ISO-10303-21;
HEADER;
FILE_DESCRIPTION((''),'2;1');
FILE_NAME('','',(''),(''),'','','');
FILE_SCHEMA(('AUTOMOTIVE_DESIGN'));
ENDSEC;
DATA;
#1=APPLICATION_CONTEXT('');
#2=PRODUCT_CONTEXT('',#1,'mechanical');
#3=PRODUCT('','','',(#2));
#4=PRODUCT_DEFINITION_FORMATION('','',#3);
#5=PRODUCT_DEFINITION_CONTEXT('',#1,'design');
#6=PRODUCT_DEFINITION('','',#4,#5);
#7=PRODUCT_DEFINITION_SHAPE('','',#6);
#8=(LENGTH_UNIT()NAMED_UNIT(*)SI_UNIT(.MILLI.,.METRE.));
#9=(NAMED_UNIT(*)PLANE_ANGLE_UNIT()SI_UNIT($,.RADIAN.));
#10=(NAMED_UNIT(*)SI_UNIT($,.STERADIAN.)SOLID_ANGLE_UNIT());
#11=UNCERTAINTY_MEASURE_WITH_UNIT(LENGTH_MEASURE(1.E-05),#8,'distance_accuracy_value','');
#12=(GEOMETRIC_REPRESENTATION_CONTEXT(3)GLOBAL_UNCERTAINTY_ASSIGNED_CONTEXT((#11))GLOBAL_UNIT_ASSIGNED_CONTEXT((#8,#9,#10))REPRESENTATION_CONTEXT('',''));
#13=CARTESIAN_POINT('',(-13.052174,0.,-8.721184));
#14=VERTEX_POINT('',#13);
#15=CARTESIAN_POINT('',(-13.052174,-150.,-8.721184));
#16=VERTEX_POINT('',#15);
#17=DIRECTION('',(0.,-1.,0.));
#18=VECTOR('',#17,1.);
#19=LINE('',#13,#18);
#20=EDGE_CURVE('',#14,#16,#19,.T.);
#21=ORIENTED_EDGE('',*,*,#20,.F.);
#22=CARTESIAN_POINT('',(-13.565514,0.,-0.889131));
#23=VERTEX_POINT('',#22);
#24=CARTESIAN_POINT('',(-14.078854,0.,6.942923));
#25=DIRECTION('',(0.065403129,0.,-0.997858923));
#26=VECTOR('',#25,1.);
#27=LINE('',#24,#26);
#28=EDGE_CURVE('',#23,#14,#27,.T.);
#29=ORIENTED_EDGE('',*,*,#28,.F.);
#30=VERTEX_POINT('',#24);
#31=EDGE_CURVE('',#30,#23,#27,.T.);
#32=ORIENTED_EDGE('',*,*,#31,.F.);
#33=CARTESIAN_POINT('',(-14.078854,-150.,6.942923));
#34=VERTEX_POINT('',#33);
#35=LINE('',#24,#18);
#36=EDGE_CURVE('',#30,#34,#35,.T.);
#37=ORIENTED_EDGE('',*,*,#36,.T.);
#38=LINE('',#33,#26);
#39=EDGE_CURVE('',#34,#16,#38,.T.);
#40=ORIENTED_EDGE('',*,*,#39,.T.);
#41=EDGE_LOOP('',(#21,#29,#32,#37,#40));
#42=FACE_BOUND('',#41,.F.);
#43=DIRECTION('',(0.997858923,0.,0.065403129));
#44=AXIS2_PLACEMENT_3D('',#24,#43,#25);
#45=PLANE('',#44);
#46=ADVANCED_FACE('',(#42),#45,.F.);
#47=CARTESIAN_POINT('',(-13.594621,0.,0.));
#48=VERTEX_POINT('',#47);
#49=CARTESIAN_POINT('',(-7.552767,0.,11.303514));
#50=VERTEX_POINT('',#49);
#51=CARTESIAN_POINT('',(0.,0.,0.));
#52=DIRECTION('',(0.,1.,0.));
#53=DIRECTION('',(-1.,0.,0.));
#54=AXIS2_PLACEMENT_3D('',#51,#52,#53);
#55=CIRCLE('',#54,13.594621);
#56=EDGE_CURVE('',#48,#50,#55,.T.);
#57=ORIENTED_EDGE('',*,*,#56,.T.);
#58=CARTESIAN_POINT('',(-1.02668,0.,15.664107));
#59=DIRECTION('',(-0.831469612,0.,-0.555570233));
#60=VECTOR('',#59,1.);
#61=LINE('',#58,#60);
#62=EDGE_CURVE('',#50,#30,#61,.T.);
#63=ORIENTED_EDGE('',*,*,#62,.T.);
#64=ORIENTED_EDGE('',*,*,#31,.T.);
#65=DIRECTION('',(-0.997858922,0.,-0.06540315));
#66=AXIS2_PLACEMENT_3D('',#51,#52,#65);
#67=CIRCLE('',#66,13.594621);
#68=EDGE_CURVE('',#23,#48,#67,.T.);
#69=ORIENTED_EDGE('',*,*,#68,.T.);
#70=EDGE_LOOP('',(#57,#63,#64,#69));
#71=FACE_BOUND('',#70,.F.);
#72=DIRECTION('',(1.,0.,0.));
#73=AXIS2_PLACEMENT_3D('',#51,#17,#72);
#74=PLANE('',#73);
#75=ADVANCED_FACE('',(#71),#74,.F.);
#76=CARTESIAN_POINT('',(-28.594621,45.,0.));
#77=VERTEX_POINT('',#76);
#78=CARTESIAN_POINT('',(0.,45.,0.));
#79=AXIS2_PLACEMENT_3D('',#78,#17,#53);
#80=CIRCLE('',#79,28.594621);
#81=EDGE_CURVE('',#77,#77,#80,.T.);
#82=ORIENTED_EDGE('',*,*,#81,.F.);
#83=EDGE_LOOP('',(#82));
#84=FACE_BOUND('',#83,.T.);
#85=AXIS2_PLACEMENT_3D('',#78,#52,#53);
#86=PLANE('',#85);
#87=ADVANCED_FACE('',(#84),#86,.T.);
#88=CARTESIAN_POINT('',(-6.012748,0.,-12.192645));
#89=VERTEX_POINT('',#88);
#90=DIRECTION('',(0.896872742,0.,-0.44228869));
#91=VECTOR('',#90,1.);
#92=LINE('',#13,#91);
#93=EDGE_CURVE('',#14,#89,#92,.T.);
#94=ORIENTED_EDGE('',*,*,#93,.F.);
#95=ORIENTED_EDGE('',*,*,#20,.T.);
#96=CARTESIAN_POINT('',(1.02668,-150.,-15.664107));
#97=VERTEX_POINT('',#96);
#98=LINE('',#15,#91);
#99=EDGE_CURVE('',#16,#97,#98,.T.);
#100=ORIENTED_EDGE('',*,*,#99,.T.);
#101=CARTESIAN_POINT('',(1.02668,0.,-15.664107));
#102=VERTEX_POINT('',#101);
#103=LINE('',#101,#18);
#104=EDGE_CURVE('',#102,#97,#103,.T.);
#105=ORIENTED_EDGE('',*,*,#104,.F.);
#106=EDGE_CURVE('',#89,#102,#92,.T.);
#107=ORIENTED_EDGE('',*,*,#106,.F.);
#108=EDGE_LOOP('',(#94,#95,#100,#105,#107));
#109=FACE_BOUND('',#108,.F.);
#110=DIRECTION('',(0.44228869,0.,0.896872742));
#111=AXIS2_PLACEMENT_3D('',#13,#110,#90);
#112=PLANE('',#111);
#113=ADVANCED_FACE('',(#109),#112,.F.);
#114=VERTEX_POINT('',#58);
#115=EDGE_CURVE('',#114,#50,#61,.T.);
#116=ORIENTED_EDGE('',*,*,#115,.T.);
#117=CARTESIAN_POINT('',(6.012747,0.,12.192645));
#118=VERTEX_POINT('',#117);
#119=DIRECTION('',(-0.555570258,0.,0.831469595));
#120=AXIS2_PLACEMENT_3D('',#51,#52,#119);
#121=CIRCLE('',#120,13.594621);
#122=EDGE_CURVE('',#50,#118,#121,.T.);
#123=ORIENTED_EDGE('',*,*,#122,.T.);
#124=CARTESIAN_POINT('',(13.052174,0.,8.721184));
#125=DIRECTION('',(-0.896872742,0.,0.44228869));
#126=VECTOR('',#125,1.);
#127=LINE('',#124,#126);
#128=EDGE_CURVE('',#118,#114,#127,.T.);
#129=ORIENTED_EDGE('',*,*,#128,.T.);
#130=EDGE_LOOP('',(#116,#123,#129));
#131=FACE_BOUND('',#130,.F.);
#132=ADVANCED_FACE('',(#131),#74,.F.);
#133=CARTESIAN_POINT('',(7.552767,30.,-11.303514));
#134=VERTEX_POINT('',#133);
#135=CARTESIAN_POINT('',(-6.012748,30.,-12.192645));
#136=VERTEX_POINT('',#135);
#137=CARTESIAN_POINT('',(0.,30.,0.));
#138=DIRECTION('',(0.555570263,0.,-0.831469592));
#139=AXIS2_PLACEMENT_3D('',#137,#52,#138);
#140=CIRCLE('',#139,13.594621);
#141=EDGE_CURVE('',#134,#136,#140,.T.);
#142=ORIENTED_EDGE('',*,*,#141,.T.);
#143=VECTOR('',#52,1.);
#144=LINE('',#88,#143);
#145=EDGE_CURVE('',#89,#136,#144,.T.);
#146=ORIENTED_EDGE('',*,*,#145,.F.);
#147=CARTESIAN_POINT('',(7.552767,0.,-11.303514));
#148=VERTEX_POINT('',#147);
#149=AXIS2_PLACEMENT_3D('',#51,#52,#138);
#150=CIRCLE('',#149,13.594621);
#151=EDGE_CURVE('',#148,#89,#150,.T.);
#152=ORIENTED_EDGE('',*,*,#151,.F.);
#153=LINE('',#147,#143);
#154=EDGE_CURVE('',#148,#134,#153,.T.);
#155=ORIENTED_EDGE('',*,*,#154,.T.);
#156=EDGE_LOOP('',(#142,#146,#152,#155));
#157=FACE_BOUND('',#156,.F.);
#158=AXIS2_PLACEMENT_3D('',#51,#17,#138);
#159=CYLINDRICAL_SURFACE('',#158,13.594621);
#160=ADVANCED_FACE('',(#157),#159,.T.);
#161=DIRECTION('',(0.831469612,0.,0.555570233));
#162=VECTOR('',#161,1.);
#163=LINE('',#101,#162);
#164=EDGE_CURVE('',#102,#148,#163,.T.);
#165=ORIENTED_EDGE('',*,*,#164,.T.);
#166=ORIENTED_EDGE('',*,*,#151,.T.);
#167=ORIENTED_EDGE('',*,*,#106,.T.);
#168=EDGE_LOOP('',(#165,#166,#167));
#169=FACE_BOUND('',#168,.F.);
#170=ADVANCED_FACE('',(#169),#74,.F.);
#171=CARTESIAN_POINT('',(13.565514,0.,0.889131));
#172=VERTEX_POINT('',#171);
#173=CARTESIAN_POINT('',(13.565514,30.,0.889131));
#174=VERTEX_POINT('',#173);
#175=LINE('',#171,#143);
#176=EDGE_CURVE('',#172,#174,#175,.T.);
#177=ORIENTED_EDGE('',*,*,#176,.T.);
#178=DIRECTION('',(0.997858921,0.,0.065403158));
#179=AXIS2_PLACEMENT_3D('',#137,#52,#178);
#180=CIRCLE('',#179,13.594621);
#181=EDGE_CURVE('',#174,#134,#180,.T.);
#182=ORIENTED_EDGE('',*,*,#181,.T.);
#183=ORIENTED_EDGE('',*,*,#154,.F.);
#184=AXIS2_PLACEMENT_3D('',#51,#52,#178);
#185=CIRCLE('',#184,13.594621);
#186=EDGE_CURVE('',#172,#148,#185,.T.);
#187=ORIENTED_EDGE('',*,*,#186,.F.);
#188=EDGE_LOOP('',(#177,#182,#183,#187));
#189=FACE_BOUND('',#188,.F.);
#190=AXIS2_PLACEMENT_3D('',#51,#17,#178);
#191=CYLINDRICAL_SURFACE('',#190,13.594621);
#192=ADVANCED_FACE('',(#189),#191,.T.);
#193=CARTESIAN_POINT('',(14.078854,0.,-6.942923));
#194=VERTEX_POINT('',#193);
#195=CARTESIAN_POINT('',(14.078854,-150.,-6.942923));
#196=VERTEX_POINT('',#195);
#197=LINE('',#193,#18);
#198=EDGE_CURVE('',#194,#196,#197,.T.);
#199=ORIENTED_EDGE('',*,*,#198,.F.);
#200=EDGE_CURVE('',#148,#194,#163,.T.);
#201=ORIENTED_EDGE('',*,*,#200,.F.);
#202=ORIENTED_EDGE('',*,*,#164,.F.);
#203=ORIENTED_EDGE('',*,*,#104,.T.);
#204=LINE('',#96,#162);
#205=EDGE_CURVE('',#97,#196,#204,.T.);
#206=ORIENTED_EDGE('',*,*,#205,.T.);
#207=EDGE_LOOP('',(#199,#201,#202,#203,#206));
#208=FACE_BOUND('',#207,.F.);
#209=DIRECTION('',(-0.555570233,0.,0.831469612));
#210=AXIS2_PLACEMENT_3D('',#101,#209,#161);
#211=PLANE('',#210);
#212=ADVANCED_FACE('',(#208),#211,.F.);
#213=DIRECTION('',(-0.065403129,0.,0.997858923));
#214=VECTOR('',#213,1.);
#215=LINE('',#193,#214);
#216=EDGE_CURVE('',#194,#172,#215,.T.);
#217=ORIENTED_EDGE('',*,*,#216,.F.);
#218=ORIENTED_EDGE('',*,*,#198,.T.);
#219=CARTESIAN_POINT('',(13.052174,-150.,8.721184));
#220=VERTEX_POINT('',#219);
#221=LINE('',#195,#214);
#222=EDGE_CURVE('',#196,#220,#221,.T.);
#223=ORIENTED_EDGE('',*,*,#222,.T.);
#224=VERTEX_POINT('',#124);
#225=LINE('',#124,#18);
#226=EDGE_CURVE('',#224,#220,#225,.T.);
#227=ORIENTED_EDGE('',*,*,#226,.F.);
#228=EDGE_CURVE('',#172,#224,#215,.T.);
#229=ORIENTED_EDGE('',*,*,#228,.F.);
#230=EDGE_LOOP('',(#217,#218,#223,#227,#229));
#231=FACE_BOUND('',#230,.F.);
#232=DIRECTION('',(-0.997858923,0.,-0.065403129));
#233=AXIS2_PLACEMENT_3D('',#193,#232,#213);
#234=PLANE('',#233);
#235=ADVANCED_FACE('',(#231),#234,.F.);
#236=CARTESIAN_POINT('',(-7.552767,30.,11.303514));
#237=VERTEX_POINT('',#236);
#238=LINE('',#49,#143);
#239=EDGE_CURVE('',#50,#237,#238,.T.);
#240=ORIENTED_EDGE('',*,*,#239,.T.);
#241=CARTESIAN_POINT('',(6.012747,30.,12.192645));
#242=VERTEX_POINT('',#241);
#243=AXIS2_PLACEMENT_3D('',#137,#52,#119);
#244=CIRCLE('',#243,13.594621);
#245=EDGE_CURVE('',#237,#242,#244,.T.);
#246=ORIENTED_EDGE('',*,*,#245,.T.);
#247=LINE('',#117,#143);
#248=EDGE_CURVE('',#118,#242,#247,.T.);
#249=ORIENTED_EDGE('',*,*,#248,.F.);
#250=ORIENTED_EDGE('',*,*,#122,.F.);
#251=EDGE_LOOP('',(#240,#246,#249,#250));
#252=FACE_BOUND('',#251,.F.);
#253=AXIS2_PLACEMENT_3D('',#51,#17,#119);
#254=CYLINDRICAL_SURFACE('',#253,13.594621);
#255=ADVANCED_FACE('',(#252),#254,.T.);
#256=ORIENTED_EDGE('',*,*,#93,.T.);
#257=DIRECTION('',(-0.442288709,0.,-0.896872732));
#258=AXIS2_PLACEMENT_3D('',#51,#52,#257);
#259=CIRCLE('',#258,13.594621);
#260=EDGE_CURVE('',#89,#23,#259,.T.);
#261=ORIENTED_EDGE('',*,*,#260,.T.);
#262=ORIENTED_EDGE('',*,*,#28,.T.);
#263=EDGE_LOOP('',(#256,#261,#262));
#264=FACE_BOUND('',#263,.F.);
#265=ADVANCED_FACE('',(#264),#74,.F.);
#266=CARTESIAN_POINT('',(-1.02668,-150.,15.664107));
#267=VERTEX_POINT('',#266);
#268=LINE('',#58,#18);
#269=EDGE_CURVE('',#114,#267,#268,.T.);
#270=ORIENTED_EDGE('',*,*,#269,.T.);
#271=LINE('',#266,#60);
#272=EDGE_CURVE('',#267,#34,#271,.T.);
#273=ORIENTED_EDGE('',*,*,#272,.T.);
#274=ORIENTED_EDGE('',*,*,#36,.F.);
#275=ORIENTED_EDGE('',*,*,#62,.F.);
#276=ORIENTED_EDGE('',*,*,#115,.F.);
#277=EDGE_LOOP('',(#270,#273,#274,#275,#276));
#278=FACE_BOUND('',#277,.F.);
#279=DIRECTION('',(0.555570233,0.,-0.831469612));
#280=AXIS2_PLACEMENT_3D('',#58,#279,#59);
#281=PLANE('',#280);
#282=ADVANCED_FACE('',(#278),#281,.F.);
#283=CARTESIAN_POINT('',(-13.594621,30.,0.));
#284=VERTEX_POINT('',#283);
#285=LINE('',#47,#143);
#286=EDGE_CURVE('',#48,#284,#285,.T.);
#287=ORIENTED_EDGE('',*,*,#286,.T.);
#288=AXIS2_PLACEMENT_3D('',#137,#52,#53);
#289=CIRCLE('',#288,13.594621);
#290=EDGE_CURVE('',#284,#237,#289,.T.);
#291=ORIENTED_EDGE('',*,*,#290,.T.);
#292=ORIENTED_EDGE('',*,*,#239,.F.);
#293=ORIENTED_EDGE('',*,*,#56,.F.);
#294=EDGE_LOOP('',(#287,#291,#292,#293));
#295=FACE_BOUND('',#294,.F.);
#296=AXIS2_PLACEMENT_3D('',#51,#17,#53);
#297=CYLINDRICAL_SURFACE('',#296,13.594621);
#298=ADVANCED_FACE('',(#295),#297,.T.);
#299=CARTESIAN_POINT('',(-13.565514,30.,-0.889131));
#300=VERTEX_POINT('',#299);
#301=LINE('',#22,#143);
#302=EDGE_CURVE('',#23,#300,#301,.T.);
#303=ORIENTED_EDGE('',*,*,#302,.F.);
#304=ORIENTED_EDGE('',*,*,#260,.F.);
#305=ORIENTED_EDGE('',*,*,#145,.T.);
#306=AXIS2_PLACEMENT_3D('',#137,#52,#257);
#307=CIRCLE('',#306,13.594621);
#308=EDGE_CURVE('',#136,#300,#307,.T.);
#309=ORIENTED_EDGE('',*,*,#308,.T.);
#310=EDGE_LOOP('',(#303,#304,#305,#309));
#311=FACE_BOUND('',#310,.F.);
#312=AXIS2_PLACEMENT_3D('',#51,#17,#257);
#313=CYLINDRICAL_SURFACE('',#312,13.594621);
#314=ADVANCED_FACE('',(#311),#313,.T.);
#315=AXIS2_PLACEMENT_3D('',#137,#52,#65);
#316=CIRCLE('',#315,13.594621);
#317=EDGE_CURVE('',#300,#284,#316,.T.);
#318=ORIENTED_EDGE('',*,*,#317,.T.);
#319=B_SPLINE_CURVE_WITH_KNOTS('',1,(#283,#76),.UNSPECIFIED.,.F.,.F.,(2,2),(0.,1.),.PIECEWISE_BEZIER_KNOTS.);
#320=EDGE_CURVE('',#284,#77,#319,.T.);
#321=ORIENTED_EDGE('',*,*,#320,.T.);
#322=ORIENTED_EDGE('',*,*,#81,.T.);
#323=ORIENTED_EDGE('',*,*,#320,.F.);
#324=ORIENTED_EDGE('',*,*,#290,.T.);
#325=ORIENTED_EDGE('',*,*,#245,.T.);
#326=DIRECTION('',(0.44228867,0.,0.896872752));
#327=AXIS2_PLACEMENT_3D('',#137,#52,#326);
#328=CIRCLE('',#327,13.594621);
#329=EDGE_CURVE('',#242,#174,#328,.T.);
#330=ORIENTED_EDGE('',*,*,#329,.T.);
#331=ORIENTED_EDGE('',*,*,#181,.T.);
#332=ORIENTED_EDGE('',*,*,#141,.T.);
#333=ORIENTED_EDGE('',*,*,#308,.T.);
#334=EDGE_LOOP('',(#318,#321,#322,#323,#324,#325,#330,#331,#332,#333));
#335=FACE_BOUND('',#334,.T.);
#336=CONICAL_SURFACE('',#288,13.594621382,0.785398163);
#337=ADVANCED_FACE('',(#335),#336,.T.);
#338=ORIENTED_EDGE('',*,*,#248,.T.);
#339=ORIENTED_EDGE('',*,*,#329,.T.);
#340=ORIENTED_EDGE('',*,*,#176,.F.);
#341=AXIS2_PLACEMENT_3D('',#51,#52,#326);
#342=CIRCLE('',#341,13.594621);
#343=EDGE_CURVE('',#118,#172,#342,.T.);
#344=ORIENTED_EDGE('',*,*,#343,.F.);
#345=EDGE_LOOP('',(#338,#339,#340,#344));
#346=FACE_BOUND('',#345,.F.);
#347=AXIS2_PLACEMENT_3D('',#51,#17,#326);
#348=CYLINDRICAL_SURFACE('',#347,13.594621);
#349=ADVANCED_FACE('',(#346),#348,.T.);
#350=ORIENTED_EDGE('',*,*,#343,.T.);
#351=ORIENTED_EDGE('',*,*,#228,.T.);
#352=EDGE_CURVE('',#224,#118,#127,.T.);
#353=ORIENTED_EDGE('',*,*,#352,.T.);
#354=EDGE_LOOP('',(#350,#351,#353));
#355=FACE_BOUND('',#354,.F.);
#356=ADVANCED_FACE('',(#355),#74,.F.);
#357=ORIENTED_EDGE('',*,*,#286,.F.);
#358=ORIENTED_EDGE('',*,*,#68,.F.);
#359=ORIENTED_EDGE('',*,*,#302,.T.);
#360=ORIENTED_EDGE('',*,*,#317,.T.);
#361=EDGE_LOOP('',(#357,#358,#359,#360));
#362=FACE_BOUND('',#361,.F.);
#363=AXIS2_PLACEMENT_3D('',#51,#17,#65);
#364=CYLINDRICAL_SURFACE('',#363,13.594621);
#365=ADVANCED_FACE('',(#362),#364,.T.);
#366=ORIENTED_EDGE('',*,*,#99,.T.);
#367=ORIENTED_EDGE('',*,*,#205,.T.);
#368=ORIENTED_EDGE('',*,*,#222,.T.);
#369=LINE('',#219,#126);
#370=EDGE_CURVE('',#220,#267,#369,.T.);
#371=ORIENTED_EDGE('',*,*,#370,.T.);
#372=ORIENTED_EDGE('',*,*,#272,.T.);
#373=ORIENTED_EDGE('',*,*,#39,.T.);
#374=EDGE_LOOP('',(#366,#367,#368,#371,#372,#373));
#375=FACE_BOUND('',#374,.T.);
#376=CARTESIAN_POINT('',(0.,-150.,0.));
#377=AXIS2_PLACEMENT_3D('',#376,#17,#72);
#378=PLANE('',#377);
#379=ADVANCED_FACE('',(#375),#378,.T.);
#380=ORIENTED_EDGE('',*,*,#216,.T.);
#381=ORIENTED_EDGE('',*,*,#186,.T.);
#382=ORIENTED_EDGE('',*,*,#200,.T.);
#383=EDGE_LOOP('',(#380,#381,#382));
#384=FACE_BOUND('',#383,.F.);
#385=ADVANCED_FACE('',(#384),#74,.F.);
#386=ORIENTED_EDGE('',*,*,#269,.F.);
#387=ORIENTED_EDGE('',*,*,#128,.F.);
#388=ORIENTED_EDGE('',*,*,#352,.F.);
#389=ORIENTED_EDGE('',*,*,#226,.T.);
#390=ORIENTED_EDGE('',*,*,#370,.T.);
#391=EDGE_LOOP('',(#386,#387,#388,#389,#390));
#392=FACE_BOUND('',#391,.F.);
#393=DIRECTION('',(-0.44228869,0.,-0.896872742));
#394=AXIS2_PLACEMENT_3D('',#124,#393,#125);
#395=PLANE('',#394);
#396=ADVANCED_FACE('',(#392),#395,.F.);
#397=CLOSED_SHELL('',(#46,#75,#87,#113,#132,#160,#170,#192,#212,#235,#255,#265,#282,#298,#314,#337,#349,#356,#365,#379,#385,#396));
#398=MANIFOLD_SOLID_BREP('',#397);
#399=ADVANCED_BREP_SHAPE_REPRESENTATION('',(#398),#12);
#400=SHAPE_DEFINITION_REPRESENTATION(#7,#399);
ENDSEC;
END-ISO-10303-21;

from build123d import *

# Parameters (mm, degrees)
F1_DEPTH  = 150
F3_DEPTH  = 30
F3_FACE_R = 13.5946213818
F4_DEPTH  = 15
F4_TAPER  = -45


with BuildPart() as f1:
    # F0 (on Front) → F1 (new body)
    with BuildSketch(Plane.XZ):
        Polygon((13.0521743593, 8.7211840853), (-1.0266797893, 15.6641066124), (-14.0788541486, 6.9429225271), (-13.0521743593, -8.7211840853), (1.0266797893, -15.6641066124), (14.0788541486, -6.9429225271), align=None)
    extrude(amount=F1_DEPTH)

    # F2 (on face) → F3 (join)
    with BuildSketch(Plane(origin=(0, 0, 0), x_dir=(-1, 0, 0), z_dir=(0, 1, 0))):
        with BuildLine():
            ThreePointArc((13.5655142354, -0.8891310612), (13.5873426467, -0.4448036842), (13.5946213818, 0))
            ThreePointArc((13.5946213818, 0), (11.9893857748, 6.4084599756), (7.5527673124, 11.3035143403))
            ThreePointArc((7.5527673124, 11.3035143403), (0.8891311409, 13.5655142302), (-6.012747005, 12.1926454869))
            ThreePointArc((-6.012747005, 12.1926454869), (-11.3035143729, 7.5527672636), (-13.565514228, 0.8891311747))
            ThreePointArc((-13.565514228, 0.8891311747), (-12.1926455438, -6.0127468897), (-7.5527673722, -11.3035143003))
            ThreePointArc((-7.5527673722, -11.3035143003), (-0.8891308824, -13.5655142471), (6.0127475341, -12.192645226))
            ThreePointArc((6.0127475341, -12.192645226), (11.3035145684, -7.552766971), (13.5655142354, -0.8891310612))
        make_face()
    extrude(amount=F3_DEPTH)

    # F3_face (on face) → F4 (join)
    with BuildSketch(Plane(origin=(0, 30, 0), x_dir=(-1, 0, 0), z_dir=(0, 1, 0))):
        Circle(F3_FACE_R)
    extrude(amount=F4_DEPTH, taper=F4_TAPER)


solid = f1.part
